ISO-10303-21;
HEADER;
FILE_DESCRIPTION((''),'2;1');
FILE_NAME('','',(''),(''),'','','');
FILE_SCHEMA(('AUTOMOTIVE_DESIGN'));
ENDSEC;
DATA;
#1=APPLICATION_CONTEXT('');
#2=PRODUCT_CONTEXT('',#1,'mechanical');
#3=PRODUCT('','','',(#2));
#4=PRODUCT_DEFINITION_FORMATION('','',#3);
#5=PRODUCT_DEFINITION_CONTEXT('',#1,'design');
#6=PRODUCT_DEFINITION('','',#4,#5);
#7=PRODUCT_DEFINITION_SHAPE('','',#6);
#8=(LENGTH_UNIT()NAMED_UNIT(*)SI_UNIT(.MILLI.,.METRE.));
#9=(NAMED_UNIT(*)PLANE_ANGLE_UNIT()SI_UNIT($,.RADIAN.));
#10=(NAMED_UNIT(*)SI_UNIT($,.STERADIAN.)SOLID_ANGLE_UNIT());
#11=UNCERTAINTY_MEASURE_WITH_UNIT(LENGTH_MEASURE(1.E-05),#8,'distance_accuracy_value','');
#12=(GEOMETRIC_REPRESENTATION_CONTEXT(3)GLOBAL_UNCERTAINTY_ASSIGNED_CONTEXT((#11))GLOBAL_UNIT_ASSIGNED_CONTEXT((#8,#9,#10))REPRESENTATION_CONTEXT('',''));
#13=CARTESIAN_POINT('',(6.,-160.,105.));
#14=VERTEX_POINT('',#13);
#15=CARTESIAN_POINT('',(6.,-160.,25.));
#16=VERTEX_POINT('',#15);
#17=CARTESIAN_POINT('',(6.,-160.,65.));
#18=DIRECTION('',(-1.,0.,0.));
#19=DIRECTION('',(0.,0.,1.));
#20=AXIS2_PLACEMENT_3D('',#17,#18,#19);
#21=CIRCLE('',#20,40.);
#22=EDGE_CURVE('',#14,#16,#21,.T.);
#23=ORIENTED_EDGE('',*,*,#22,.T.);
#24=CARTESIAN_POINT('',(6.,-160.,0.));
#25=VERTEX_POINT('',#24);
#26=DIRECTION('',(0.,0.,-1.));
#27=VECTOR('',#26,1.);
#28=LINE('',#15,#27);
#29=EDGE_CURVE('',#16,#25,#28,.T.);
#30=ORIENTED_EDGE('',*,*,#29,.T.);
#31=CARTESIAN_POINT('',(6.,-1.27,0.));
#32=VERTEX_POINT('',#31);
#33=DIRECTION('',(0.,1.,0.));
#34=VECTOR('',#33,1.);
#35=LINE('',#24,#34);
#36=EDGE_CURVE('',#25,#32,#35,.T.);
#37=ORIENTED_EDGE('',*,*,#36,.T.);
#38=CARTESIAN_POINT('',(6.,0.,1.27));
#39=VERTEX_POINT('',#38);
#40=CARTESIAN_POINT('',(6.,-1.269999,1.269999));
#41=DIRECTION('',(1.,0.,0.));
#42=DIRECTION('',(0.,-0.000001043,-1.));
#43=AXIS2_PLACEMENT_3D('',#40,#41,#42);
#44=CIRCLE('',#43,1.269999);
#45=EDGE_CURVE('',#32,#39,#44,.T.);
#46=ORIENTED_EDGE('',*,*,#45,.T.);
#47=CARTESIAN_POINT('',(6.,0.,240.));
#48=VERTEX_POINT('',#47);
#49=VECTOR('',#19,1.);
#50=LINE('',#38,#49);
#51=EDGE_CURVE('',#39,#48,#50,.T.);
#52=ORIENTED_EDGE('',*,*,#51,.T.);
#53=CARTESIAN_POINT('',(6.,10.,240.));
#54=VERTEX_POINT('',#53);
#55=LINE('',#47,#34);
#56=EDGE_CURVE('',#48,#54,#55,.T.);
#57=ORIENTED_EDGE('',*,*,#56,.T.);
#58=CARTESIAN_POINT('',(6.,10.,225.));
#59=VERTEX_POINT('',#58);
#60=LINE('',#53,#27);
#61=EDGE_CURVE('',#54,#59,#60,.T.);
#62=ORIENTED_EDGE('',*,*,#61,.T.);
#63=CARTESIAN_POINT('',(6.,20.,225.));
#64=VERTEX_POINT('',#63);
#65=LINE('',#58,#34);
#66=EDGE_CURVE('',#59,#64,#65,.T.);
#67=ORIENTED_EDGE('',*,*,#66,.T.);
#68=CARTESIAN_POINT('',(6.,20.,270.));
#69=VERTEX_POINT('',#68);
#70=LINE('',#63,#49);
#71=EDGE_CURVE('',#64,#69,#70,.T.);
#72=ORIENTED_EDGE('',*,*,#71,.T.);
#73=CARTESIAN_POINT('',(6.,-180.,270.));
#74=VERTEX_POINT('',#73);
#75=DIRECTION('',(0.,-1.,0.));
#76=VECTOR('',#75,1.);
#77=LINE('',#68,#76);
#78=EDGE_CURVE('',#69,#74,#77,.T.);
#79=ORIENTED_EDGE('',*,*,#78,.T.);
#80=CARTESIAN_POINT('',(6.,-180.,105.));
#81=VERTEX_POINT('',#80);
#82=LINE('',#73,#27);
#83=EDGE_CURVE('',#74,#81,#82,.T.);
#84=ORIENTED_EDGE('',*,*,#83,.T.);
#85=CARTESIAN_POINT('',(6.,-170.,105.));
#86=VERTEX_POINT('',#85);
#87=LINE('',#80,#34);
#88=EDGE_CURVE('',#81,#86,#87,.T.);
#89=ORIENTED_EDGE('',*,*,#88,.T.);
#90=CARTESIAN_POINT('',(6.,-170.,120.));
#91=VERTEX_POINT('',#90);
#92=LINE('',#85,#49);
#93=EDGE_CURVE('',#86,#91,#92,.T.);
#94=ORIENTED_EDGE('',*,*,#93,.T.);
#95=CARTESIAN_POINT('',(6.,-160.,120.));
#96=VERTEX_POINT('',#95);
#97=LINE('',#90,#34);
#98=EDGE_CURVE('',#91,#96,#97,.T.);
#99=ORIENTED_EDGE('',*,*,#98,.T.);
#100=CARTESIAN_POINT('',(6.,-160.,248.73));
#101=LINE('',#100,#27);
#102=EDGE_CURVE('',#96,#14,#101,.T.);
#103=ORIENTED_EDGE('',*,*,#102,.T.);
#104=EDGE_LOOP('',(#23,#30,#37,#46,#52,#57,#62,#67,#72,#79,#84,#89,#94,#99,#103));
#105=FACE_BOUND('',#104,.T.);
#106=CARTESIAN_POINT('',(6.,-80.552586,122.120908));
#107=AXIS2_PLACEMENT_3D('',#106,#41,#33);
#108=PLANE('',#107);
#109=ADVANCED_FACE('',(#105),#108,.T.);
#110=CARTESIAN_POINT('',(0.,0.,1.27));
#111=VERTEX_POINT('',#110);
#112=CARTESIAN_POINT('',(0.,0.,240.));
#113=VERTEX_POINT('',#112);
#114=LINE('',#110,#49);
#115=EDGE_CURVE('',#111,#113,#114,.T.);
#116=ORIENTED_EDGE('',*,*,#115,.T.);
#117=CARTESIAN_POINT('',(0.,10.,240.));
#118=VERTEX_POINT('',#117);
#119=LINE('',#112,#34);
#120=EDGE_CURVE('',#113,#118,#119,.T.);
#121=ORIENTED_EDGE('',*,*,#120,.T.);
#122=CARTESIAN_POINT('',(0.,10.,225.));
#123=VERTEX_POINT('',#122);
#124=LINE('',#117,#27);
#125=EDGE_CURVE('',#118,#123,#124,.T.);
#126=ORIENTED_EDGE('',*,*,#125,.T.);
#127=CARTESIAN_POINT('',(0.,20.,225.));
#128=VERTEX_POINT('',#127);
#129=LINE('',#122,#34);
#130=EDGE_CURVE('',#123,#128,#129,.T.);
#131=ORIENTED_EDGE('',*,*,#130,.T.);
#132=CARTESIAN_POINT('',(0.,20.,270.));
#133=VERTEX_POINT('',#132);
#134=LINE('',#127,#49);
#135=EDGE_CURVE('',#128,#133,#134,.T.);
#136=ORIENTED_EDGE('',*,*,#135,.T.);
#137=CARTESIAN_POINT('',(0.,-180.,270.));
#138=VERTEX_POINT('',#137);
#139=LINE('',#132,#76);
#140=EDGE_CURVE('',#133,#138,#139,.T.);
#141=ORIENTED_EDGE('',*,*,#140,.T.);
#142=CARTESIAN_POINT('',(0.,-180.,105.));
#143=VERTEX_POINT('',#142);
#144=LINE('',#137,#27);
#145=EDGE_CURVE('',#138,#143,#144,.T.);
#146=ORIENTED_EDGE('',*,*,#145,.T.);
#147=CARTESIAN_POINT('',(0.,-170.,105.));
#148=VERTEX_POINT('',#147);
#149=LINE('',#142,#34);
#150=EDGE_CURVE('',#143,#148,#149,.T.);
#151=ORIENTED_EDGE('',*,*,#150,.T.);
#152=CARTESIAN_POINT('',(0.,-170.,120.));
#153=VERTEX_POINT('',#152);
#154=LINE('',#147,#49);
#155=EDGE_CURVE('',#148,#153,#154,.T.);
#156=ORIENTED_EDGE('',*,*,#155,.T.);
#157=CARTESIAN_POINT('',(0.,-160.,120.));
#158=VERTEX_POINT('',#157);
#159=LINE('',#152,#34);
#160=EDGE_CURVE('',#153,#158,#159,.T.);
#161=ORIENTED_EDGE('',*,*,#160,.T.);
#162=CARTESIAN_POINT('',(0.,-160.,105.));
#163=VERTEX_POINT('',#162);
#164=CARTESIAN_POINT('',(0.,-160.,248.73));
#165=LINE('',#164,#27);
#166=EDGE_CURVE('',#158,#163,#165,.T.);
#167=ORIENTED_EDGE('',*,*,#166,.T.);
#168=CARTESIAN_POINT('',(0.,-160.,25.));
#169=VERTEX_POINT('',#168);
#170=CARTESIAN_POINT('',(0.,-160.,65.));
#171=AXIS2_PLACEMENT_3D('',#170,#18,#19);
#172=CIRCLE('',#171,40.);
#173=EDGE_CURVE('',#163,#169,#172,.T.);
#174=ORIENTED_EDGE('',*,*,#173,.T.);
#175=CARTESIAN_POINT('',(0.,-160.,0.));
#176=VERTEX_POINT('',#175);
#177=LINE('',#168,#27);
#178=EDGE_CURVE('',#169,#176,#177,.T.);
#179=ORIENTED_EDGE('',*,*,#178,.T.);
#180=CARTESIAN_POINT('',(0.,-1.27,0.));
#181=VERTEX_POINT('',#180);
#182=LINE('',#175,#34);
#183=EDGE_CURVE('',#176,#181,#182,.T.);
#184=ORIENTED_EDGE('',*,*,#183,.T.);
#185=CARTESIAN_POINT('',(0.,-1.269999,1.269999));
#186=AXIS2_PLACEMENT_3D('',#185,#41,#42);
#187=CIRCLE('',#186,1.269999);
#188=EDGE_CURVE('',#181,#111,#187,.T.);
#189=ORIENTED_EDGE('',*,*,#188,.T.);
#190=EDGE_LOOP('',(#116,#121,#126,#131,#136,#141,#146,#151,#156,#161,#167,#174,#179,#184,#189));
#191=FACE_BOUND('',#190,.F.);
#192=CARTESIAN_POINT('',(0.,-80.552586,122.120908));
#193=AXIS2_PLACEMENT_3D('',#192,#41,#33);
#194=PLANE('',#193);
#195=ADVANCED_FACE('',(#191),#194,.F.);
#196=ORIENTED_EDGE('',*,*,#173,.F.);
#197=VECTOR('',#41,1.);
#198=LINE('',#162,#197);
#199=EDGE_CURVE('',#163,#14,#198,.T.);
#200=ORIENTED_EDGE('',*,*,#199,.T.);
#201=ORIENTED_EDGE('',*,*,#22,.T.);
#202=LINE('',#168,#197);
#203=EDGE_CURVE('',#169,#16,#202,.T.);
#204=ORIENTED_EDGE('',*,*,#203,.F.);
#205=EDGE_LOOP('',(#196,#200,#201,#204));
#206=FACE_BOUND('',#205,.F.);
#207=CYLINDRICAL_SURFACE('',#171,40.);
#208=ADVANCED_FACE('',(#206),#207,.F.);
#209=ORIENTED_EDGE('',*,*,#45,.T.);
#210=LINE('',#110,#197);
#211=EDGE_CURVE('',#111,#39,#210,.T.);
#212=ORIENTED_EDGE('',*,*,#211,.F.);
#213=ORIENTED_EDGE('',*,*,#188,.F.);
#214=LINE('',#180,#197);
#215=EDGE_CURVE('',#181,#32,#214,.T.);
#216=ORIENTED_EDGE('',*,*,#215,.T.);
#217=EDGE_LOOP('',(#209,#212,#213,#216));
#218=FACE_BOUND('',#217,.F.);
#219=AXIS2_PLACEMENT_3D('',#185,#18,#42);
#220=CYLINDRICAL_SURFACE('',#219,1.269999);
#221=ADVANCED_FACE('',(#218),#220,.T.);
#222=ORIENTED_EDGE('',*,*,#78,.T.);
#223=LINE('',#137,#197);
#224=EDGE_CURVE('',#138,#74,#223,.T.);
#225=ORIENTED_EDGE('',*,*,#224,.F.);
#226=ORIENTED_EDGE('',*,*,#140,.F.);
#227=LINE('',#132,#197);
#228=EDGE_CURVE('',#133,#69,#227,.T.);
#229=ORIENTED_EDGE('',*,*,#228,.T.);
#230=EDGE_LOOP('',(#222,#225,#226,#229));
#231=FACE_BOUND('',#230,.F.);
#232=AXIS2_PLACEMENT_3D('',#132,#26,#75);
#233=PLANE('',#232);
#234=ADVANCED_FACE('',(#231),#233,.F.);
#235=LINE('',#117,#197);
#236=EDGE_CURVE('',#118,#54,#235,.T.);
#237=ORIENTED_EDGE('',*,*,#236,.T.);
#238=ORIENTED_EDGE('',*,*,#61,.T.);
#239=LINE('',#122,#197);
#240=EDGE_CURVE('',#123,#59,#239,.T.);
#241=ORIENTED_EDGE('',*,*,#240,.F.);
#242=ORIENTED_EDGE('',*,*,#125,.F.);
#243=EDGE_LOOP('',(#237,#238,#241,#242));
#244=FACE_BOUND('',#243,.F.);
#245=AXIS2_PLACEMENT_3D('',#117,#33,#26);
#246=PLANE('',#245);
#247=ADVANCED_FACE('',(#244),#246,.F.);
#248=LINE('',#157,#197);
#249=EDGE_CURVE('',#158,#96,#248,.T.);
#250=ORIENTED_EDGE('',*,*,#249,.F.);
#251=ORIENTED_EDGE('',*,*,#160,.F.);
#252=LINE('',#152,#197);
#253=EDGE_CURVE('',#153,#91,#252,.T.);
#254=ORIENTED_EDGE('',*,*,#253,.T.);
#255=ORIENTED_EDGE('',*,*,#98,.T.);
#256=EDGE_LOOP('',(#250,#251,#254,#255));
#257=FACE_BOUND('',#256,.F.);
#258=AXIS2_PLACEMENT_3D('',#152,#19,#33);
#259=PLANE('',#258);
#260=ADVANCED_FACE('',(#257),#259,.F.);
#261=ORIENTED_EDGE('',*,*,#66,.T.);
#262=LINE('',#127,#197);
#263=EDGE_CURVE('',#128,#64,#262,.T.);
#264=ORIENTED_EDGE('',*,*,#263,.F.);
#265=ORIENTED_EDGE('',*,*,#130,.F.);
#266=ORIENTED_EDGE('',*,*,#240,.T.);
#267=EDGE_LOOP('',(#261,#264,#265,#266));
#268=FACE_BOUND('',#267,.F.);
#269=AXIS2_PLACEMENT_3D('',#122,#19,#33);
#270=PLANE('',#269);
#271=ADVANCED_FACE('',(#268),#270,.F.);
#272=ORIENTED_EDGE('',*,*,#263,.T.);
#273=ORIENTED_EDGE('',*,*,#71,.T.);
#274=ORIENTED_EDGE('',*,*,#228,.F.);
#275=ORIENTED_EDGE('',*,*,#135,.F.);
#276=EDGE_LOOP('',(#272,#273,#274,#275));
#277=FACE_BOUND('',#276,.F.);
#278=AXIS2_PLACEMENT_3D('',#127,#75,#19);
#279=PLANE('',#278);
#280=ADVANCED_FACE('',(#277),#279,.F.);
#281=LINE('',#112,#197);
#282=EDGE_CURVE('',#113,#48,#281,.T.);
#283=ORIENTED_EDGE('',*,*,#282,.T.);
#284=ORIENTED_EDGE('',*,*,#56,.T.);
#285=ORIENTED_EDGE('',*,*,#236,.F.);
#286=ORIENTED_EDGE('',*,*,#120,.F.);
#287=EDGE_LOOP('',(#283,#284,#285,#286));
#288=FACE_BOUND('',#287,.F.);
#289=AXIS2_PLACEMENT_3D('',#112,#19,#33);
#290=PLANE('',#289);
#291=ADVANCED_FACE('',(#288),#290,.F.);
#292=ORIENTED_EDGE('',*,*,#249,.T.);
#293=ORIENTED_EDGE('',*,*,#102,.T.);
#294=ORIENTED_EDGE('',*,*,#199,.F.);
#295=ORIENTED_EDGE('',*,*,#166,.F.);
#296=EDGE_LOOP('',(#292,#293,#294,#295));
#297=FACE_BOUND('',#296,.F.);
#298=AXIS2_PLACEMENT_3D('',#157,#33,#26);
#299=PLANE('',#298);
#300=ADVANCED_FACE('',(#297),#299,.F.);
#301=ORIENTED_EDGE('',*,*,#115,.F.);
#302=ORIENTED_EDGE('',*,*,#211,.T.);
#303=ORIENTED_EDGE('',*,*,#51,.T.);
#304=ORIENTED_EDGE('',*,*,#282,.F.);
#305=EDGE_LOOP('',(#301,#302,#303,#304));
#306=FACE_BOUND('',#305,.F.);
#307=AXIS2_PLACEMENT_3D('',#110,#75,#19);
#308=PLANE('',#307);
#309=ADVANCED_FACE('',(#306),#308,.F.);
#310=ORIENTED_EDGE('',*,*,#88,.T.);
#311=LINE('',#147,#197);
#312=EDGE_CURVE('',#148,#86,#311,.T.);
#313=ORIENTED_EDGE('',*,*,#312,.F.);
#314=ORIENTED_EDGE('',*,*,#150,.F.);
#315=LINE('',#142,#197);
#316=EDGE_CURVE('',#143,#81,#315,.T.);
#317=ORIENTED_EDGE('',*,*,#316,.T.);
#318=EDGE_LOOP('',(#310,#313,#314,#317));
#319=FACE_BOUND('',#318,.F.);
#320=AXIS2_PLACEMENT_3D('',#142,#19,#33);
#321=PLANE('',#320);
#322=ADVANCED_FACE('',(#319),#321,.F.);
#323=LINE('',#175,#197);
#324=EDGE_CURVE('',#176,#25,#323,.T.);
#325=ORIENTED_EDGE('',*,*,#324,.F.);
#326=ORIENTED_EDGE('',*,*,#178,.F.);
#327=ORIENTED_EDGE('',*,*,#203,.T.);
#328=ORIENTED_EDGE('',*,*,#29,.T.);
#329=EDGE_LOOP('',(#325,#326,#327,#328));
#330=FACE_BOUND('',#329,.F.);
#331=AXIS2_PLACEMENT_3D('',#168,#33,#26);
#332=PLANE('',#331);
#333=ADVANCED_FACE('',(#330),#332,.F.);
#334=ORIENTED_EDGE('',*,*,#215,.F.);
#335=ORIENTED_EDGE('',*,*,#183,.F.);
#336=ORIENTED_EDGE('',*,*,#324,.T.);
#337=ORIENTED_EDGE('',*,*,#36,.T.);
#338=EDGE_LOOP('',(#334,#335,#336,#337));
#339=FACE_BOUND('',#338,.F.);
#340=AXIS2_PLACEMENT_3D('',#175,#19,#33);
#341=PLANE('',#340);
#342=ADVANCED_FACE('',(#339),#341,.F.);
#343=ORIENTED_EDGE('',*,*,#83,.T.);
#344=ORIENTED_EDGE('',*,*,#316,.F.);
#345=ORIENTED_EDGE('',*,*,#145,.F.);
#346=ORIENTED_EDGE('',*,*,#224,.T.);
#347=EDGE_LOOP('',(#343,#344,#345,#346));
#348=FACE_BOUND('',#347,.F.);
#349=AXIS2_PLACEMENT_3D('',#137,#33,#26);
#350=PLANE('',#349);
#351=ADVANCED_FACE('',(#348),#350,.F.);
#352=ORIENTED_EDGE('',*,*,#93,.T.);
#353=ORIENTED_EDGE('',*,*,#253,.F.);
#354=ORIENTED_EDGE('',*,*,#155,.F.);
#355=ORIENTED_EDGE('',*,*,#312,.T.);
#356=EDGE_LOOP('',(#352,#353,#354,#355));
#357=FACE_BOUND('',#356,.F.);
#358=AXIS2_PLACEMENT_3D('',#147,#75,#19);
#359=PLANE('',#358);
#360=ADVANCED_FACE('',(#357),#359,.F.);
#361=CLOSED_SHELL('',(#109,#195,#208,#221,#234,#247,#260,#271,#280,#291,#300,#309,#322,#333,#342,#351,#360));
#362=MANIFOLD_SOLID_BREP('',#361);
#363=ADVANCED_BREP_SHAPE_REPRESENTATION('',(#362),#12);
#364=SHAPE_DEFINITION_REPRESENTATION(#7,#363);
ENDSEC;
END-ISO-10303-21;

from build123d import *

# Parameters (mm, degrees)
F1_DEPTH = 6


with BuildPart() as f1:
    # F0 (on Right) → F1 (new body)
    with BuildSketch(Plane.YZ):
        with BuildLine():
            Line((-160, 0), (-1.27, 0))
            ThreePointArc((-1.27, 0), (-0.371974, 0.371974), (0, 1.27))
            Line((0, 1.27), (0, 240))
            Line((0, 240), (0, 248.73))
            ThreePointArc((0, 248.73), (-0.371974, 249.628026), (-1.27, 250))
            Line((-1.27, 250), (-158.73, 250))
            ThreePointArc((-158.73, 250), (-159.628026, 249.628026), (-160, 248.73))
            Line((-160, 248.73), (-160, 120))
            Line((-160, 120), (-160, 105))
            ThreePointArc((-160, 105), (-120, 65), (-160, 25))
            Line((-160, 25), (-160, 0))
        make_face()
        with BuildLine():
            Line((0, 248.73), (0, 240))
            Line((0, 240), (10, 240))
            Line((10, 240), (10, 225))
            Line((10, 225), (20, 225))
            Line((20, 225), (20, 270))
            Line((20, 270), (-180, 270))
            Line((-180, 270), (-180, 105))
            Line((-180, 105), (-170, 105))
            Line((-170, 105), (-170, 120))
            Line((-170, 120), (-160, 120))
            Line((-160, 120), (-160, 248.73))
            ThreePointArc((-160, 248.73), (-159.628026, 249.628026), (-158.73, 250))
            Line((-158.73, 250), (-1.27, 250))
            ThreePointArc((-1.27, 250), (-0.371974, 249.628026), (0, 248.73))
        make_face()
    extrude(amount=F1_DEPTH)


solid = f1.part
